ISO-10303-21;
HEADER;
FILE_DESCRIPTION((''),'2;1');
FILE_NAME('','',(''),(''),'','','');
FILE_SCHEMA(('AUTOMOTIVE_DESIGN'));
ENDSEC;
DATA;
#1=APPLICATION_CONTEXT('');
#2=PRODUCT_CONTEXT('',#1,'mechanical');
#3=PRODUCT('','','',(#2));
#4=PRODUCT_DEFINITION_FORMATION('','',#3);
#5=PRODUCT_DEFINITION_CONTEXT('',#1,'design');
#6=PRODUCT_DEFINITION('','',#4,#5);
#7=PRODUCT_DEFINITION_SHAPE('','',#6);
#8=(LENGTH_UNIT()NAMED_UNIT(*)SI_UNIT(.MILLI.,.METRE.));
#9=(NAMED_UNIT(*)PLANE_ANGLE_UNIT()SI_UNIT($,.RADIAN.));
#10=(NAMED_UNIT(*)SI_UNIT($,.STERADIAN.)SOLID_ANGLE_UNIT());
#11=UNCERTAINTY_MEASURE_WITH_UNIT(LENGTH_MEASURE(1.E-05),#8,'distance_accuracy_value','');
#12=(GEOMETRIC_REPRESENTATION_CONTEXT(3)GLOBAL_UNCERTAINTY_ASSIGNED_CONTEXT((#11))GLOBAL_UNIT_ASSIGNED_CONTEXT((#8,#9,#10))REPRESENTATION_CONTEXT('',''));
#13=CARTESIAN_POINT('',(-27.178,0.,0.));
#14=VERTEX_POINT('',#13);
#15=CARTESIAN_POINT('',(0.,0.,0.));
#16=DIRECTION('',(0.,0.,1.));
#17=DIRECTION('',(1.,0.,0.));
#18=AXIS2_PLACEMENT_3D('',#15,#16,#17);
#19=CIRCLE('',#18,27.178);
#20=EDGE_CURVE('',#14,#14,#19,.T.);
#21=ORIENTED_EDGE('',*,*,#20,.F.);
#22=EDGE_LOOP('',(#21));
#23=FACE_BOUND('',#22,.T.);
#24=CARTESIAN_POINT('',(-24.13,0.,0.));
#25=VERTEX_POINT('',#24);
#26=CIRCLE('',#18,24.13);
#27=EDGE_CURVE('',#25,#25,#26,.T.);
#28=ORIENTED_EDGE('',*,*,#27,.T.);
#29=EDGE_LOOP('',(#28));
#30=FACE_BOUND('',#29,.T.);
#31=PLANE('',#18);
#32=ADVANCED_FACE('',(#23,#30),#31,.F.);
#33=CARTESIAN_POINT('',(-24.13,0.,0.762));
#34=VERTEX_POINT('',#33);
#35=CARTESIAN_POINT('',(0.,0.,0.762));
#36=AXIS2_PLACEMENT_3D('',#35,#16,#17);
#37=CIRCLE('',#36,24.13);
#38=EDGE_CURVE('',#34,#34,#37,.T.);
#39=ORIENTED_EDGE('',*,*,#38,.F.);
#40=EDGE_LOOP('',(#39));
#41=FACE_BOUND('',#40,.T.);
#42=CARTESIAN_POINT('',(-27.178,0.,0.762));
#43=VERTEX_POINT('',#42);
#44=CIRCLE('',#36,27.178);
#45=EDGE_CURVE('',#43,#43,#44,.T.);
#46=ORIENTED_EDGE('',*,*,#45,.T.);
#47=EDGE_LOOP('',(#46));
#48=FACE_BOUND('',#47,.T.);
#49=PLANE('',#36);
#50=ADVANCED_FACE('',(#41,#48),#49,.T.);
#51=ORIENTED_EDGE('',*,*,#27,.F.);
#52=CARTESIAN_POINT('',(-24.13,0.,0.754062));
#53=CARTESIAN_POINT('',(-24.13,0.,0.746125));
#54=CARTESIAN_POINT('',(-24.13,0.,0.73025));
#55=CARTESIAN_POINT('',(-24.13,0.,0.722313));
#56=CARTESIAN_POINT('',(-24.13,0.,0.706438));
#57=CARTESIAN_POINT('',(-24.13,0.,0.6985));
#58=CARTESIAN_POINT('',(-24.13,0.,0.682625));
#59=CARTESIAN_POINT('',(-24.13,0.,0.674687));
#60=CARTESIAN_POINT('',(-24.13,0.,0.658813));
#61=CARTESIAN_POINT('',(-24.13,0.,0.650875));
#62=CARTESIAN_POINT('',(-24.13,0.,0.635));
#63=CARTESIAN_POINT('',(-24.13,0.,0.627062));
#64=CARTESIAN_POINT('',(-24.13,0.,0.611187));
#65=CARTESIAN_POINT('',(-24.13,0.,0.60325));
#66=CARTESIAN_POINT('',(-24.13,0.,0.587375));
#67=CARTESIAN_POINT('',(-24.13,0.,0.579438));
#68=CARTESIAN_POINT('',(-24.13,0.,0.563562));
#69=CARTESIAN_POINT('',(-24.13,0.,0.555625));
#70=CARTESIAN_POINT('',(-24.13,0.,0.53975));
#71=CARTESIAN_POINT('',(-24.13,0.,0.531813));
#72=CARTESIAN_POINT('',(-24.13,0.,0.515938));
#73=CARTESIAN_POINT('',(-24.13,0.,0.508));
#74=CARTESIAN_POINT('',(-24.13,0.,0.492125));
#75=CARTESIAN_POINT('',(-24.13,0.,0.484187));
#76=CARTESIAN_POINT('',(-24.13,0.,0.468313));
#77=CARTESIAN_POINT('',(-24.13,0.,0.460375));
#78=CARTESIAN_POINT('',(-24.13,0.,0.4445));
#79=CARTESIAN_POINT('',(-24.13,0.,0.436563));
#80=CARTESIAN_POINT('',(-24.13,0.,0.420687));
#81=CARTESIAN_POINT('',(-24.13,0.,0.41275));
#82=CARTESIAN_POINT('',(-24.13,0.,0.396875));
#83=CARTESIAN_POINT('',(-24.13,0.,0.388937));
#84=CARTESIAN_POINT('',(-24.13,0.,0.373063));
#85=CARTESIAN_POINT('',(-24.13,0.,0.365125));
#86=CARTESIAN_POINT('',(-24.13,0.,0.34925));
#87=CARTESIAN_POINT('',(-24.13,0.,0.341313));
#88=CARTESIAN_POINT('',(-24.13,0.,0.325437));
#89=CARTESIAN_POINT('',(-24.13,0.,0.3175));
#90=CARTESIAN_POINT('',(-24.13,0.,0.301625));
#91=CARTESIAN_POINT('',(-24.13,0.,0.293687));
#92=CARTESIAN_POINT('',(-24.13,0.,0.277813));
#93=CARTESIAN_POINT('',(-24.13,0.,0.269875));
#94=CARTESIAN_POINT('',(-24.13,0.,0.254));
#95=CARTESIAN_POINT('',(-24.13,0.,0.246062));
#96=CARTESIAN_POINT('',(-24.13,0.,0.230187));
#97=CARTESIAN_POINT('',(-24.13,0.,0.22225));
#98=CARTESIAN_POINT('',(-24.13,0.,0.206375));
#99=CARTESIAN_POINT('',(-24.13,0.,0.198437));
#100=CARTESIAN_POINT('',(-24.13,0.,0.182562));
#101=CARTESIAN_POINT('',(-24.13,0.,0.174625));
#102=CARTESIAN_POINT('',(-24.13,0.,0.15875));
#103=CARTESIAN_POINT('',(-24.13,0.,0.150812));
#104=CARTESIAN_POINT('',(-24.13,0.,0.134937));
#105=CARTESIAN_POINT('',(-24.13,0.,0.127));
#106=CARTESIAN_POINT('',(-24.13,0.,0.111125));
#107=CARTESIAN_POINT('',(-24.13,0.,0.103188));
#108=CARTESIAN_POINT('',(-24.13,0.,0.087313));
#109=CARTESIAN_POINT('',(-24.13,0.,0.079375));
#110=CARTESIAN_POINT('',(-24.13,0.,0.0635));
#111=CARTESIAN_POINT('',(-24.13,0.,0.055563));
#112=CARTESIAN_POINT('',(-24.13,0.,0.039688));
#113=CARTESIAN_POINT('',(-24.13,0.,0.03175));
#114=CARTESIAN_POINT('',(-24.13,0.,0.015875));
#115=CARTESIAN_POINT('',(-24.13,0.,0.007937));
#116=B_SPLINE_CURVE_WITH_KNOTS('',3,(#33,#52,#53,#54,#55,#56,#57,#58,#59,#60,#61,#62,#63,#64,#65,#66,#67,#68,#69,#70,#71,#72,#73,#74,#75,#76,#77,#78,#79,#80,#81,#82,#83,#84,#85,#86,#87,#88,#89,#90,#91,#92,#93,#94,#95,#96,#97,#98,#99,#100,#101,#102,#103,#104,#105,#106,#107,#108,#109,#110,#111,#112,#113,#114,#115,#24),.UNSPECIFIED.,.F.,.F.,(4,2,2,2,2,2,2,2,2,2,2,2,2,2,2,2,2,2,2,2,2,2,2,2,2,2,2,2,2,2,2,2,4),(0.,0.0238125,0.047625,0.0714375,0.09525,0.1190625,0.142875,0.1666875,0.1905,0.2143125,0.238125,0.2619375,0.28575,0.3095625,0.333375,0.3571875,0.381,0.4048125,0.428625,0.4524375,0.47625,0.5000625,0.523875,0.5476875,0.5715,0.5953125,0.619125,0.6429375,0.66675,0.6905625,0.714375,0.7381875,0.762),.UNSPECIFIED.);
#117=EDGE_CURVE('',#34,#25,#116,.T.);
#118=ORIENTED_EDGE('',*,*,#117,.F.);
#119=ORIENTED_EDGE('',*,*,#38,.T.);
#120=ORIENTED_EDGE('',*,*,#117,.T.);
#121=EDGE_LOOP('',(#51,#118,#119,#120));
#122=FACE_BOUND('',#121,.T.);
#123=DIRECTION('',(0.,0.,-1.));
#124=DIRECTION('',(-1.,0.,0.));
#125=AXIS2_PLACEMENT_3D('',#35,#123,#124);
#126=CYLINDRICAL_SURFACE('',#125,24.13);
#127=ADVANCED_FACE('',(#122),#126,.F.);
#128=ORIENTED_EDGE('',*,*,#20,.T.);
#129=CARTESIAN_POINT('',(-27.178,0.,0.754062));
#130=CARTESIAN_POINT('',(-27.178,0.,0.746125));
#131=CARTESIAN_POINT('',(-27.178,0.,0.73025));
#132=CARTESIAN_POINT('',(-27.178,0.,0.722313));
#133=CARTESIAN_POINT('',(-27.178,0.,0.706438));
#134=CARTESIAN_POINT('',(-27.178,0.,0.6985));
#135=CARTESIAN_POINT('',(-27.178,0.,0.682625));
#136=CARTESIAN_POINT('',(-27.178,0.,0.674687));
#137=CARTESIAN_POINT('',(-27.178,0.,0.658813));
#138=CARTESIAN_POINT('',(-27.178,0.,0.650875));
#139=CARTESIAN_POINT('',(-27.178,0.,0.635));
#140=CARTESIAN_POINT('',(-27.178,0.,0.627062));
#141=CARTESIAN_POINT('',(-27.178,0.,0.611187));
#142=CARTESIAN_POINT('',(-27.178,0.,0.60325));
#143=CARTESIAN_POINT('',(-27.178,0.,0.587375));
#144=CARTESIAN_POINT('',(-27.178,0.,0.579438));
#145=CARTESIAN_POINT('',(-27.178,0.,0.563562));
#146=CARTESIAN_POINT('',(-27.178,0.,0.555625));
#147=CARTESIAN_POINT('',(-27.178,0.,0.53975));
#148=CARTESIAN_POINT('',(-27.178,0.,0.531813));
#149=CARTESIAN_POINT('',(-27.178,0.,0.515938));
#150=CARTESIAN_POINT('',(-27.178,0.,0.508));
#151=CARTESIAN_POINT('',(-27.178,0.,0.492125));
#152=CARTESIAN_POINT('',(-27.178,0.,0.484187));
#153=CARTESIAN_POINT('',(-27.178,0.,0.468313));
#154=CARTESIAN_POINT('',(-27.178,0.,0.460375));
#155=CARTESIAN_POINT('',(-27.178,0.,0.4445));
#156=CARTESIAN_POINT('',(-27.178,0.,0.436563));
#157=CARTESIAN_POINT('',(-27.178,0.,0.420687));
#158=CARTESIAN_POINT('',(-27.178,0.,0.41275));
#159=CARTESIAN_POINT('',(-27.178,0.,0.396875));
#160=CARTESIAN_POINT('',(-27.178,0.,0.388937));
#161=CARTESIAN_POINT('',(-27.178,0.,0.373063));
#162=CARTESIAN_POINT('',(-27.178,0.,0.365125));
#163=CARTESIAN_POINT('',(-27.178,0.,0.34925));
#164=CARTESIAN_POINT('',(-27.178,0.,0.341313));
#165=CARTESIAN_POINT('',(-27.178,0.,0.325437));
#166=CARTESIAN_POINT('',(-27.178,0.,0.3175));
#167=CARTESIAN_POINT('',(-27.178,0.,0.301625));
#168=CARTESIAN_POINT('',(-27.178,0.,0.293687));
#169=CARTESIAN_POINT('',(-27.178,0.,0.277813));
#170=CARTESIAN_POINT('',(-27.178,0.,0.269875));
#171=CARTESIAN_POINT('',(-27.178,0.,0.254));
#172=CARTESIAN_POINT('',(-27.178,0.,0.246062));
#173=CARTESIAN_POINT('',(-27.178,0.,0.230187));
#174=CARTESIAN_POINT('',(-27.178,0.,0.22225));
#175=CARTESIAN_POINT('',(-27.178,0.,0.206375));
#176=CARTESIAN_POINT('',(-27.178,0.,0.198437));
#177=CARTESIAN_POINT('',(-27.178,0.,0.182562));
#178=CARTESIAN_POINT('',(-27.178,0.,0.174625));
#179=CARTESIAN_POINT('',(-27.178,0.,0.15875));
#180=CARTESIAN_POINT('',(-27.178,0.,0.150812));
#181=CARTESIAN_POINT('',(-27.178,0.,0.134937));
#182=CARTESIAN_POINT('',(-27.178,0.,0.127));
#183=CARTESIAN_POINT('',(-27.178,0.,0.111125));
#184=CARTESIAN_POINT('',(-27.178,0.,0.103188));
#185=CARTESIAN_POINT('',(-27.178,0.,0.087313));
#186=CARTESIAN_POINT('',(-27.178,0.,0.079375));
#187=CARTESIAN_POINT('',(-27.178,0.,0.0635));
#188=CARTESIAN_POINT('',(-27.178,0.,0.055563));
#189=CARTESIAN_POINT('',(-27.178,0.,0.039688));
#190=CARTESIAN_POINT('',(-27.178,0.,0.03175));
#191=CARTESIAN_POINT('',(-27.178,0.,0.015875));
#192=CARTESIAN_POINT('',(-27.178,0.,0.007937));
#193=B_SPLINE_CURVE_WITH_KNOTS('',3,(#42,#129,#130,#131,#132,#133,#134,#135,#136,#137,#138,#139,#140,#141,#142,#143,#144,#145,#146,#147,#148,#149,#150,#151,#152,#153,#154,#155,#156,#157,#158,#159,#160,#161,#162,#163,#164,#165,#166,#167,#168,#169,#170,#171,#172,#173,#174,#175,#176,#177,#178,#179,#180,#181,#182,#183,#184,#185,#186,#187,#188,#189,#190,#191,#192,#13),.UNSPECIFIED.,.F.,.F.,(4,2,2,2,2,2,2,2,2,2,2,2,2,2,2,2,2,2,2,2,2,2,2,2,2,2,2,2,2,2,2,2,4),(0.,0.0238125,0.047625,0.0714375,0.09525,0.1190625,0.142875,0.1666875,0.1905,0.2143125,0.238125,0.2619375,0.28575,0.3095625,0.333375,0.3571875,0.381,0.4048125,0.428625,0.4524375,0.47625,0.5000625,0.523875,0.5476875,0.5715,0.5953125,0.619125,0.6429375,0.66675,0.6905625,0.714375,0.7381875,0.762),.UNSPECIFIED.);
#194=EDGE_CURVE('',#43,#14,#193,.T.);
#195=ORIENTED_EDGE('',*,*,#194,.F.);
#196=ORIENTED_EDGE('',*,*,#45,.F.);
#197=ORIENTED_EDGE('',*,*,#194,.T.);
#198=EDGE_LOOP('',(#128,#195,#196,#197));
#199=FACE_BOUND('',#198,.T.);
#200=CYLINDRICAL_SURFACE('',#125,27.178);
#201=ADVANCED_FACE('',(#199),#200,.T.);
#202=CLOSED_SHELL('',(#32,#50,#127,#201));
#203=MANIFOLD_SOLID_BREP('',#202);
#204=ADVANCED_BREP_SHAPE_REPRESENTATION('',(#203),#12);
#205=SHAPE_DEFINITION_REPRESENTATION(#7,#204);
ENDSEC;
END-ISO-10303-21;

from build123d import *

# Parameters (mm, degrees)
SKETCH1_R          = 27.178
SKETCH1_R_2        = 24.13
BASE_EXTRUDE_DEPTH = 0.762


with BuildPart() as part:
    # Sketch1 → Base-Extrude (new body)
    with BuildSketch(Plane.XY):
        with Locations(Location((0, 0, 0), (0, 0, 180))):
            Circle(SKETCH1_R)
        with Locations(Location((0, 0, 0), (0, 0, 180))):
            Circle(SKETCH1_R_2, mode=Mode.SUBTRACT)
    extrude(amount=BASE_EXTRUDE_DEPTH)


solid = part.part
